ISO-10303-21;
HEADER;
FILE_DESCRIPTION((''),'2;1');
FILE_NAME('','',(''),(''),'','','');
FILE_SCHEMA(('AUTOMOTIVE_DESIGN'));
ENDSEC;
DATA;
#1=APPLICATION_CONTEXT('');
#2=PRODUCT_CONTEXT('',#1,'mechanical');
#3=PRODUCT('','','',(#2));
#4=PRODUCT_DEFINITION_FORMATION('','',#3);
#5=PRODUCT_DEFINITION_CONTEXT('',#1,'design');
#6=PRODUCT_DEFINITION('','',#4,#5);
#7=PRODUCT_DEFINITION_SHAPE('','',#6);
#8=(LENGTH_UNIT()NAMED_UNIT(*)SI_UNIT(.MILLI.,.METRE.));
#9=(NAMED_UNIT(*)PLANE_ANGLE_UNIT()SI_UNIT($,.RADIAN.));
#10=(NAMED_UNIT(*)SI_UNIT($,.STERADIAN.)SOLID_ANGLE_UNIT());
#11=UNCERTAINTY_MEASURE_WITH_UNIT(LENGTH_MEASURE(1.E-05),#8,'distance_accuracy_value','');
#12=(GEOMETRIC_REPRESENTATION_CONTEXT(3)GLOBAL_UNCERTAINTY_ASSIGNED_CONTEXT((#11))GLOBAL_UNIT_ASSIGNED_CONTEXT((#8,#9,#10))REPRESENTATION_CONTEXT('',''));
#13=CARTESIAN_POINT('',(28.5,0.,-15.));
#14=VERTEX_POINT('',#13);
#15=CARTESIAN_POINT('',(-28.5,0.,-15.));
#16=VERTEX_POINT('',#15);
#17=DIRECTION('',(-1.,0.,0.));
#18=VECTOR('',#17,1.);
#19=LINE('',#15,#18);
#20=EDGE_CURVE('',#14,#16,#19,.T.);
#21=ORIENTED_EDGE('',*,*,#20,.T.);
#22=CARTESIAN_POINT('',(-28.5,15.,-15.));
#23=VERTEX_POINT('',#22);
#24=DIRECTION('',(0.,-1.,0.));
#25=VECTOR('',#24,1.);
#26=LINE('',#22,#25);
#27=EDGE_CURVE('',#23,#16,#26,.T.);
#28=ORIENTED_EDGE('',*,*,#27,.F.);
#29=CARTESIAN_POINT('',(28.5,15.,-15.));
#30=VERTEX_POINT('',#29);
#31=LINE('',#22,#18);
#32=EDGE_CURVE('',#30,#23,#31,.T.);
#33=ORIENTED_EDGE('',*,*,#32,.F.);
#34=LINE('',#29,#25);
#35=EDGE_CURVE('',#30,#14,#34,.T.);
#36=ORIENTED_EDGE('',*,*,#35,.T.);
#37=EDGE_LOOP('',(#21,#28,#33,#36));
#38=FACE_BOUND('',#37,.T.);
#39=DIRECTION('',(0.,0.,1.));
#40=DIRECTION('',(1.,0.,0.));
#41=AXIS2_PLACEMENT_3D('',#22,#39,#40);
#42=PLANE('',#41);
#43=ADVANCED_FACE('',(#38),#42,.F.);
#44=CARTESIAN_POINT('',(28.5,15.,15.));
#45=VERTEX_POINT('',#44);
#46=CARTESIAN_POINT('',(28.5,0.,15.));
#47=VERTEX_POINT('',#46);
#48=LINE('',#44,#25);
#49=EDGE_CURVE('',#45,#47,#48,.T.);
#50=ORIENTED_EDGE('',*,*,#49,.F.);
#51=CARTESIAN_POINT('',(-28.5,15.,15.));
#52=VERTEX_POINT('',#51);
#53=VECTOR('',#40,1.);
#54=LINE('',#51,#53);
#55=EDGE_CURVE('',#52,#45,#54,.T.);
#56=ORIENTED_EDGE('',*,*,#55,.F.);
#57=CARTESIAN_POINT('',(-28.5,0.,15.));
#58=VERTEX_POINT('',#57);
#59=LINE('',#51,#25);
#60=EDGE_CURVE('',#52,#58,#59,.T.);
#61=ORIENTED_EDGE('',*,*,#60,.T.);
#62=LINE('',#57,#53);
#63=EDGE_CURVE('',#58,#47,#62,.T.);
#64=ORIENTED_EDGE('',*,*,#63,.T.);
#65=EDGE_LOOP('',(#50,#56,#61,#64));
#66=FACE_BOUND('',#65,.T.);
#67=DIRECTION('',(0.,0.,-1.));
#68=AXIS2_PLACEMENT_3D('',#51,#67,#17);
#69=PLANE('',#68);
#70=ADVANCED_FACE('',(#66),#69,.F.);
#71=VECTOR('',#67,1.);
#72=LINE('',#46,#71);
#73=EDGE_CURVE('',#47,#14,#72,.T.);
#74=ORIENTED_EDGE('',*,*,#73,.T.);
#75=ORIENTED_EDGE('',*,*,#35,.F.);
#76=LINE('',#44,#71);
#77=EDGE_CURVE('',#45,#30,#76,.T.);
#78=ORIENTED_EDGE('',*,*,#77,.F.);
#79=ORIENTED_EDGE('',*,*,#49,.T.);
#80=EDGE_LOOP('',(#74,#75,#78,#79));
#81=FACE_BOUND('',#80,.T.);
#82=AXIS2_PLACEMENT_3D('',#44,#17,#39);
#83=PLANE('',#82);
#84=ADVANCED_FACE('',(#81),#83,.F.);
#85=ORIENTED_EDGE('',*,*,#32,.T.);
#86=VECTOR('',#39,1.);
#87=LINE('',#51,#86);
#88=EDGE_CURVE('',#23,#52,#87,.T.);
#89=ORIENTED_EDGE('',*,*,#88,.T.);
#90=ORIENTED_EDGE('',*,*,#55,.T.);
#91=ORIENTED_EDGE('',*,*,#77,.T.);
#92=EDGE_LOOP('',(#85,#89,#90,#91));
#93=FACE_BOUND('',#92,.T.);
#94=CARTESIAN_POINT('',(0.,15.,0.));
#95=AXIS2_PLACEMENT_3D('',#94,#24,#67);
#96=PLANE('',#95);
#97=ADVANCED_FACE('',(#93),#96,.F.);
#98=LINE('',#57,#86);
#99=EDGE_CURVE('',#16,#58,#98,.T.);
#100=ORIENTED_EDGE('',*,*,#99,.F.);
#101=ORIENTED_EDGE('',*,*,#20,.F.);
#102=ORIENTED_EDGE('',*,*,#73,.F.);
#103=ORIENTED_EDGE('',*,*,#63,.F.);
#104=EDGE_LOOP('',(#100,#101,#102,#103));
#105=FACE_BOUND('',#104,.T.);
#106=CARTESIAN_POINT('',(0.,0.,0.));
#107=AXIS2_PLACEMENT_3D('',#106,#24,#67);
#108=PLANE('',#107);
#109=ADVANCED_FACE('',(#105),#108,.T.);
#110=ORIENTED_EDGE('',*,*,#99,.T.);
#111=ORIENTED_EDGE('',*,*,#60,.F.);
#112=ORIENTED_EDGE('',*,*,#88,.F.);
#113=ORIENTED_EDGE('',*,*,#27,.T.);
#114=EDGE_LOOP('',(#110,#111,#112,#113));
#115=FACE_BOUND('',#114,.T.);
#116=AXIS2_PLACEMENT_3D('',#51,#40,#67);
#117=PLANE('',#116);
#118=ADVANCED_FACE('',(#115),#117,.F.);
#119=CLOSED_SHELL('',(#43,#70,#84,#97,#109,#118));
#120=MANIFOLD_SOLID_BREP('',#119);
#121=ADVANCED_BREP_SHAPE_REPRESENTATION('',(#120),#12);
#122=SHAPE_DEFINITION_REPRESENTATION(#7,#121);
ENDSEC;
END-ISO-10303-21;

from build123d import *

# Parameters (mm, degrees)
SKETCH2_W     = 57
SKETCH2_H     = 30
BATTERY_DEPTH = 15


with BuildPart() as part:
    # Sketch2 → Battery (new body)
    with BuildSketch(Plane(origin=(0, 0, 0), x_dir=(1, 0, 0), z_dir=(0, 1, 0))):
        Rectangle(SKETCH2_W, SKETCH2_H)
    extrude(amount=BATTERY_DEPTH)


solid = part.part
